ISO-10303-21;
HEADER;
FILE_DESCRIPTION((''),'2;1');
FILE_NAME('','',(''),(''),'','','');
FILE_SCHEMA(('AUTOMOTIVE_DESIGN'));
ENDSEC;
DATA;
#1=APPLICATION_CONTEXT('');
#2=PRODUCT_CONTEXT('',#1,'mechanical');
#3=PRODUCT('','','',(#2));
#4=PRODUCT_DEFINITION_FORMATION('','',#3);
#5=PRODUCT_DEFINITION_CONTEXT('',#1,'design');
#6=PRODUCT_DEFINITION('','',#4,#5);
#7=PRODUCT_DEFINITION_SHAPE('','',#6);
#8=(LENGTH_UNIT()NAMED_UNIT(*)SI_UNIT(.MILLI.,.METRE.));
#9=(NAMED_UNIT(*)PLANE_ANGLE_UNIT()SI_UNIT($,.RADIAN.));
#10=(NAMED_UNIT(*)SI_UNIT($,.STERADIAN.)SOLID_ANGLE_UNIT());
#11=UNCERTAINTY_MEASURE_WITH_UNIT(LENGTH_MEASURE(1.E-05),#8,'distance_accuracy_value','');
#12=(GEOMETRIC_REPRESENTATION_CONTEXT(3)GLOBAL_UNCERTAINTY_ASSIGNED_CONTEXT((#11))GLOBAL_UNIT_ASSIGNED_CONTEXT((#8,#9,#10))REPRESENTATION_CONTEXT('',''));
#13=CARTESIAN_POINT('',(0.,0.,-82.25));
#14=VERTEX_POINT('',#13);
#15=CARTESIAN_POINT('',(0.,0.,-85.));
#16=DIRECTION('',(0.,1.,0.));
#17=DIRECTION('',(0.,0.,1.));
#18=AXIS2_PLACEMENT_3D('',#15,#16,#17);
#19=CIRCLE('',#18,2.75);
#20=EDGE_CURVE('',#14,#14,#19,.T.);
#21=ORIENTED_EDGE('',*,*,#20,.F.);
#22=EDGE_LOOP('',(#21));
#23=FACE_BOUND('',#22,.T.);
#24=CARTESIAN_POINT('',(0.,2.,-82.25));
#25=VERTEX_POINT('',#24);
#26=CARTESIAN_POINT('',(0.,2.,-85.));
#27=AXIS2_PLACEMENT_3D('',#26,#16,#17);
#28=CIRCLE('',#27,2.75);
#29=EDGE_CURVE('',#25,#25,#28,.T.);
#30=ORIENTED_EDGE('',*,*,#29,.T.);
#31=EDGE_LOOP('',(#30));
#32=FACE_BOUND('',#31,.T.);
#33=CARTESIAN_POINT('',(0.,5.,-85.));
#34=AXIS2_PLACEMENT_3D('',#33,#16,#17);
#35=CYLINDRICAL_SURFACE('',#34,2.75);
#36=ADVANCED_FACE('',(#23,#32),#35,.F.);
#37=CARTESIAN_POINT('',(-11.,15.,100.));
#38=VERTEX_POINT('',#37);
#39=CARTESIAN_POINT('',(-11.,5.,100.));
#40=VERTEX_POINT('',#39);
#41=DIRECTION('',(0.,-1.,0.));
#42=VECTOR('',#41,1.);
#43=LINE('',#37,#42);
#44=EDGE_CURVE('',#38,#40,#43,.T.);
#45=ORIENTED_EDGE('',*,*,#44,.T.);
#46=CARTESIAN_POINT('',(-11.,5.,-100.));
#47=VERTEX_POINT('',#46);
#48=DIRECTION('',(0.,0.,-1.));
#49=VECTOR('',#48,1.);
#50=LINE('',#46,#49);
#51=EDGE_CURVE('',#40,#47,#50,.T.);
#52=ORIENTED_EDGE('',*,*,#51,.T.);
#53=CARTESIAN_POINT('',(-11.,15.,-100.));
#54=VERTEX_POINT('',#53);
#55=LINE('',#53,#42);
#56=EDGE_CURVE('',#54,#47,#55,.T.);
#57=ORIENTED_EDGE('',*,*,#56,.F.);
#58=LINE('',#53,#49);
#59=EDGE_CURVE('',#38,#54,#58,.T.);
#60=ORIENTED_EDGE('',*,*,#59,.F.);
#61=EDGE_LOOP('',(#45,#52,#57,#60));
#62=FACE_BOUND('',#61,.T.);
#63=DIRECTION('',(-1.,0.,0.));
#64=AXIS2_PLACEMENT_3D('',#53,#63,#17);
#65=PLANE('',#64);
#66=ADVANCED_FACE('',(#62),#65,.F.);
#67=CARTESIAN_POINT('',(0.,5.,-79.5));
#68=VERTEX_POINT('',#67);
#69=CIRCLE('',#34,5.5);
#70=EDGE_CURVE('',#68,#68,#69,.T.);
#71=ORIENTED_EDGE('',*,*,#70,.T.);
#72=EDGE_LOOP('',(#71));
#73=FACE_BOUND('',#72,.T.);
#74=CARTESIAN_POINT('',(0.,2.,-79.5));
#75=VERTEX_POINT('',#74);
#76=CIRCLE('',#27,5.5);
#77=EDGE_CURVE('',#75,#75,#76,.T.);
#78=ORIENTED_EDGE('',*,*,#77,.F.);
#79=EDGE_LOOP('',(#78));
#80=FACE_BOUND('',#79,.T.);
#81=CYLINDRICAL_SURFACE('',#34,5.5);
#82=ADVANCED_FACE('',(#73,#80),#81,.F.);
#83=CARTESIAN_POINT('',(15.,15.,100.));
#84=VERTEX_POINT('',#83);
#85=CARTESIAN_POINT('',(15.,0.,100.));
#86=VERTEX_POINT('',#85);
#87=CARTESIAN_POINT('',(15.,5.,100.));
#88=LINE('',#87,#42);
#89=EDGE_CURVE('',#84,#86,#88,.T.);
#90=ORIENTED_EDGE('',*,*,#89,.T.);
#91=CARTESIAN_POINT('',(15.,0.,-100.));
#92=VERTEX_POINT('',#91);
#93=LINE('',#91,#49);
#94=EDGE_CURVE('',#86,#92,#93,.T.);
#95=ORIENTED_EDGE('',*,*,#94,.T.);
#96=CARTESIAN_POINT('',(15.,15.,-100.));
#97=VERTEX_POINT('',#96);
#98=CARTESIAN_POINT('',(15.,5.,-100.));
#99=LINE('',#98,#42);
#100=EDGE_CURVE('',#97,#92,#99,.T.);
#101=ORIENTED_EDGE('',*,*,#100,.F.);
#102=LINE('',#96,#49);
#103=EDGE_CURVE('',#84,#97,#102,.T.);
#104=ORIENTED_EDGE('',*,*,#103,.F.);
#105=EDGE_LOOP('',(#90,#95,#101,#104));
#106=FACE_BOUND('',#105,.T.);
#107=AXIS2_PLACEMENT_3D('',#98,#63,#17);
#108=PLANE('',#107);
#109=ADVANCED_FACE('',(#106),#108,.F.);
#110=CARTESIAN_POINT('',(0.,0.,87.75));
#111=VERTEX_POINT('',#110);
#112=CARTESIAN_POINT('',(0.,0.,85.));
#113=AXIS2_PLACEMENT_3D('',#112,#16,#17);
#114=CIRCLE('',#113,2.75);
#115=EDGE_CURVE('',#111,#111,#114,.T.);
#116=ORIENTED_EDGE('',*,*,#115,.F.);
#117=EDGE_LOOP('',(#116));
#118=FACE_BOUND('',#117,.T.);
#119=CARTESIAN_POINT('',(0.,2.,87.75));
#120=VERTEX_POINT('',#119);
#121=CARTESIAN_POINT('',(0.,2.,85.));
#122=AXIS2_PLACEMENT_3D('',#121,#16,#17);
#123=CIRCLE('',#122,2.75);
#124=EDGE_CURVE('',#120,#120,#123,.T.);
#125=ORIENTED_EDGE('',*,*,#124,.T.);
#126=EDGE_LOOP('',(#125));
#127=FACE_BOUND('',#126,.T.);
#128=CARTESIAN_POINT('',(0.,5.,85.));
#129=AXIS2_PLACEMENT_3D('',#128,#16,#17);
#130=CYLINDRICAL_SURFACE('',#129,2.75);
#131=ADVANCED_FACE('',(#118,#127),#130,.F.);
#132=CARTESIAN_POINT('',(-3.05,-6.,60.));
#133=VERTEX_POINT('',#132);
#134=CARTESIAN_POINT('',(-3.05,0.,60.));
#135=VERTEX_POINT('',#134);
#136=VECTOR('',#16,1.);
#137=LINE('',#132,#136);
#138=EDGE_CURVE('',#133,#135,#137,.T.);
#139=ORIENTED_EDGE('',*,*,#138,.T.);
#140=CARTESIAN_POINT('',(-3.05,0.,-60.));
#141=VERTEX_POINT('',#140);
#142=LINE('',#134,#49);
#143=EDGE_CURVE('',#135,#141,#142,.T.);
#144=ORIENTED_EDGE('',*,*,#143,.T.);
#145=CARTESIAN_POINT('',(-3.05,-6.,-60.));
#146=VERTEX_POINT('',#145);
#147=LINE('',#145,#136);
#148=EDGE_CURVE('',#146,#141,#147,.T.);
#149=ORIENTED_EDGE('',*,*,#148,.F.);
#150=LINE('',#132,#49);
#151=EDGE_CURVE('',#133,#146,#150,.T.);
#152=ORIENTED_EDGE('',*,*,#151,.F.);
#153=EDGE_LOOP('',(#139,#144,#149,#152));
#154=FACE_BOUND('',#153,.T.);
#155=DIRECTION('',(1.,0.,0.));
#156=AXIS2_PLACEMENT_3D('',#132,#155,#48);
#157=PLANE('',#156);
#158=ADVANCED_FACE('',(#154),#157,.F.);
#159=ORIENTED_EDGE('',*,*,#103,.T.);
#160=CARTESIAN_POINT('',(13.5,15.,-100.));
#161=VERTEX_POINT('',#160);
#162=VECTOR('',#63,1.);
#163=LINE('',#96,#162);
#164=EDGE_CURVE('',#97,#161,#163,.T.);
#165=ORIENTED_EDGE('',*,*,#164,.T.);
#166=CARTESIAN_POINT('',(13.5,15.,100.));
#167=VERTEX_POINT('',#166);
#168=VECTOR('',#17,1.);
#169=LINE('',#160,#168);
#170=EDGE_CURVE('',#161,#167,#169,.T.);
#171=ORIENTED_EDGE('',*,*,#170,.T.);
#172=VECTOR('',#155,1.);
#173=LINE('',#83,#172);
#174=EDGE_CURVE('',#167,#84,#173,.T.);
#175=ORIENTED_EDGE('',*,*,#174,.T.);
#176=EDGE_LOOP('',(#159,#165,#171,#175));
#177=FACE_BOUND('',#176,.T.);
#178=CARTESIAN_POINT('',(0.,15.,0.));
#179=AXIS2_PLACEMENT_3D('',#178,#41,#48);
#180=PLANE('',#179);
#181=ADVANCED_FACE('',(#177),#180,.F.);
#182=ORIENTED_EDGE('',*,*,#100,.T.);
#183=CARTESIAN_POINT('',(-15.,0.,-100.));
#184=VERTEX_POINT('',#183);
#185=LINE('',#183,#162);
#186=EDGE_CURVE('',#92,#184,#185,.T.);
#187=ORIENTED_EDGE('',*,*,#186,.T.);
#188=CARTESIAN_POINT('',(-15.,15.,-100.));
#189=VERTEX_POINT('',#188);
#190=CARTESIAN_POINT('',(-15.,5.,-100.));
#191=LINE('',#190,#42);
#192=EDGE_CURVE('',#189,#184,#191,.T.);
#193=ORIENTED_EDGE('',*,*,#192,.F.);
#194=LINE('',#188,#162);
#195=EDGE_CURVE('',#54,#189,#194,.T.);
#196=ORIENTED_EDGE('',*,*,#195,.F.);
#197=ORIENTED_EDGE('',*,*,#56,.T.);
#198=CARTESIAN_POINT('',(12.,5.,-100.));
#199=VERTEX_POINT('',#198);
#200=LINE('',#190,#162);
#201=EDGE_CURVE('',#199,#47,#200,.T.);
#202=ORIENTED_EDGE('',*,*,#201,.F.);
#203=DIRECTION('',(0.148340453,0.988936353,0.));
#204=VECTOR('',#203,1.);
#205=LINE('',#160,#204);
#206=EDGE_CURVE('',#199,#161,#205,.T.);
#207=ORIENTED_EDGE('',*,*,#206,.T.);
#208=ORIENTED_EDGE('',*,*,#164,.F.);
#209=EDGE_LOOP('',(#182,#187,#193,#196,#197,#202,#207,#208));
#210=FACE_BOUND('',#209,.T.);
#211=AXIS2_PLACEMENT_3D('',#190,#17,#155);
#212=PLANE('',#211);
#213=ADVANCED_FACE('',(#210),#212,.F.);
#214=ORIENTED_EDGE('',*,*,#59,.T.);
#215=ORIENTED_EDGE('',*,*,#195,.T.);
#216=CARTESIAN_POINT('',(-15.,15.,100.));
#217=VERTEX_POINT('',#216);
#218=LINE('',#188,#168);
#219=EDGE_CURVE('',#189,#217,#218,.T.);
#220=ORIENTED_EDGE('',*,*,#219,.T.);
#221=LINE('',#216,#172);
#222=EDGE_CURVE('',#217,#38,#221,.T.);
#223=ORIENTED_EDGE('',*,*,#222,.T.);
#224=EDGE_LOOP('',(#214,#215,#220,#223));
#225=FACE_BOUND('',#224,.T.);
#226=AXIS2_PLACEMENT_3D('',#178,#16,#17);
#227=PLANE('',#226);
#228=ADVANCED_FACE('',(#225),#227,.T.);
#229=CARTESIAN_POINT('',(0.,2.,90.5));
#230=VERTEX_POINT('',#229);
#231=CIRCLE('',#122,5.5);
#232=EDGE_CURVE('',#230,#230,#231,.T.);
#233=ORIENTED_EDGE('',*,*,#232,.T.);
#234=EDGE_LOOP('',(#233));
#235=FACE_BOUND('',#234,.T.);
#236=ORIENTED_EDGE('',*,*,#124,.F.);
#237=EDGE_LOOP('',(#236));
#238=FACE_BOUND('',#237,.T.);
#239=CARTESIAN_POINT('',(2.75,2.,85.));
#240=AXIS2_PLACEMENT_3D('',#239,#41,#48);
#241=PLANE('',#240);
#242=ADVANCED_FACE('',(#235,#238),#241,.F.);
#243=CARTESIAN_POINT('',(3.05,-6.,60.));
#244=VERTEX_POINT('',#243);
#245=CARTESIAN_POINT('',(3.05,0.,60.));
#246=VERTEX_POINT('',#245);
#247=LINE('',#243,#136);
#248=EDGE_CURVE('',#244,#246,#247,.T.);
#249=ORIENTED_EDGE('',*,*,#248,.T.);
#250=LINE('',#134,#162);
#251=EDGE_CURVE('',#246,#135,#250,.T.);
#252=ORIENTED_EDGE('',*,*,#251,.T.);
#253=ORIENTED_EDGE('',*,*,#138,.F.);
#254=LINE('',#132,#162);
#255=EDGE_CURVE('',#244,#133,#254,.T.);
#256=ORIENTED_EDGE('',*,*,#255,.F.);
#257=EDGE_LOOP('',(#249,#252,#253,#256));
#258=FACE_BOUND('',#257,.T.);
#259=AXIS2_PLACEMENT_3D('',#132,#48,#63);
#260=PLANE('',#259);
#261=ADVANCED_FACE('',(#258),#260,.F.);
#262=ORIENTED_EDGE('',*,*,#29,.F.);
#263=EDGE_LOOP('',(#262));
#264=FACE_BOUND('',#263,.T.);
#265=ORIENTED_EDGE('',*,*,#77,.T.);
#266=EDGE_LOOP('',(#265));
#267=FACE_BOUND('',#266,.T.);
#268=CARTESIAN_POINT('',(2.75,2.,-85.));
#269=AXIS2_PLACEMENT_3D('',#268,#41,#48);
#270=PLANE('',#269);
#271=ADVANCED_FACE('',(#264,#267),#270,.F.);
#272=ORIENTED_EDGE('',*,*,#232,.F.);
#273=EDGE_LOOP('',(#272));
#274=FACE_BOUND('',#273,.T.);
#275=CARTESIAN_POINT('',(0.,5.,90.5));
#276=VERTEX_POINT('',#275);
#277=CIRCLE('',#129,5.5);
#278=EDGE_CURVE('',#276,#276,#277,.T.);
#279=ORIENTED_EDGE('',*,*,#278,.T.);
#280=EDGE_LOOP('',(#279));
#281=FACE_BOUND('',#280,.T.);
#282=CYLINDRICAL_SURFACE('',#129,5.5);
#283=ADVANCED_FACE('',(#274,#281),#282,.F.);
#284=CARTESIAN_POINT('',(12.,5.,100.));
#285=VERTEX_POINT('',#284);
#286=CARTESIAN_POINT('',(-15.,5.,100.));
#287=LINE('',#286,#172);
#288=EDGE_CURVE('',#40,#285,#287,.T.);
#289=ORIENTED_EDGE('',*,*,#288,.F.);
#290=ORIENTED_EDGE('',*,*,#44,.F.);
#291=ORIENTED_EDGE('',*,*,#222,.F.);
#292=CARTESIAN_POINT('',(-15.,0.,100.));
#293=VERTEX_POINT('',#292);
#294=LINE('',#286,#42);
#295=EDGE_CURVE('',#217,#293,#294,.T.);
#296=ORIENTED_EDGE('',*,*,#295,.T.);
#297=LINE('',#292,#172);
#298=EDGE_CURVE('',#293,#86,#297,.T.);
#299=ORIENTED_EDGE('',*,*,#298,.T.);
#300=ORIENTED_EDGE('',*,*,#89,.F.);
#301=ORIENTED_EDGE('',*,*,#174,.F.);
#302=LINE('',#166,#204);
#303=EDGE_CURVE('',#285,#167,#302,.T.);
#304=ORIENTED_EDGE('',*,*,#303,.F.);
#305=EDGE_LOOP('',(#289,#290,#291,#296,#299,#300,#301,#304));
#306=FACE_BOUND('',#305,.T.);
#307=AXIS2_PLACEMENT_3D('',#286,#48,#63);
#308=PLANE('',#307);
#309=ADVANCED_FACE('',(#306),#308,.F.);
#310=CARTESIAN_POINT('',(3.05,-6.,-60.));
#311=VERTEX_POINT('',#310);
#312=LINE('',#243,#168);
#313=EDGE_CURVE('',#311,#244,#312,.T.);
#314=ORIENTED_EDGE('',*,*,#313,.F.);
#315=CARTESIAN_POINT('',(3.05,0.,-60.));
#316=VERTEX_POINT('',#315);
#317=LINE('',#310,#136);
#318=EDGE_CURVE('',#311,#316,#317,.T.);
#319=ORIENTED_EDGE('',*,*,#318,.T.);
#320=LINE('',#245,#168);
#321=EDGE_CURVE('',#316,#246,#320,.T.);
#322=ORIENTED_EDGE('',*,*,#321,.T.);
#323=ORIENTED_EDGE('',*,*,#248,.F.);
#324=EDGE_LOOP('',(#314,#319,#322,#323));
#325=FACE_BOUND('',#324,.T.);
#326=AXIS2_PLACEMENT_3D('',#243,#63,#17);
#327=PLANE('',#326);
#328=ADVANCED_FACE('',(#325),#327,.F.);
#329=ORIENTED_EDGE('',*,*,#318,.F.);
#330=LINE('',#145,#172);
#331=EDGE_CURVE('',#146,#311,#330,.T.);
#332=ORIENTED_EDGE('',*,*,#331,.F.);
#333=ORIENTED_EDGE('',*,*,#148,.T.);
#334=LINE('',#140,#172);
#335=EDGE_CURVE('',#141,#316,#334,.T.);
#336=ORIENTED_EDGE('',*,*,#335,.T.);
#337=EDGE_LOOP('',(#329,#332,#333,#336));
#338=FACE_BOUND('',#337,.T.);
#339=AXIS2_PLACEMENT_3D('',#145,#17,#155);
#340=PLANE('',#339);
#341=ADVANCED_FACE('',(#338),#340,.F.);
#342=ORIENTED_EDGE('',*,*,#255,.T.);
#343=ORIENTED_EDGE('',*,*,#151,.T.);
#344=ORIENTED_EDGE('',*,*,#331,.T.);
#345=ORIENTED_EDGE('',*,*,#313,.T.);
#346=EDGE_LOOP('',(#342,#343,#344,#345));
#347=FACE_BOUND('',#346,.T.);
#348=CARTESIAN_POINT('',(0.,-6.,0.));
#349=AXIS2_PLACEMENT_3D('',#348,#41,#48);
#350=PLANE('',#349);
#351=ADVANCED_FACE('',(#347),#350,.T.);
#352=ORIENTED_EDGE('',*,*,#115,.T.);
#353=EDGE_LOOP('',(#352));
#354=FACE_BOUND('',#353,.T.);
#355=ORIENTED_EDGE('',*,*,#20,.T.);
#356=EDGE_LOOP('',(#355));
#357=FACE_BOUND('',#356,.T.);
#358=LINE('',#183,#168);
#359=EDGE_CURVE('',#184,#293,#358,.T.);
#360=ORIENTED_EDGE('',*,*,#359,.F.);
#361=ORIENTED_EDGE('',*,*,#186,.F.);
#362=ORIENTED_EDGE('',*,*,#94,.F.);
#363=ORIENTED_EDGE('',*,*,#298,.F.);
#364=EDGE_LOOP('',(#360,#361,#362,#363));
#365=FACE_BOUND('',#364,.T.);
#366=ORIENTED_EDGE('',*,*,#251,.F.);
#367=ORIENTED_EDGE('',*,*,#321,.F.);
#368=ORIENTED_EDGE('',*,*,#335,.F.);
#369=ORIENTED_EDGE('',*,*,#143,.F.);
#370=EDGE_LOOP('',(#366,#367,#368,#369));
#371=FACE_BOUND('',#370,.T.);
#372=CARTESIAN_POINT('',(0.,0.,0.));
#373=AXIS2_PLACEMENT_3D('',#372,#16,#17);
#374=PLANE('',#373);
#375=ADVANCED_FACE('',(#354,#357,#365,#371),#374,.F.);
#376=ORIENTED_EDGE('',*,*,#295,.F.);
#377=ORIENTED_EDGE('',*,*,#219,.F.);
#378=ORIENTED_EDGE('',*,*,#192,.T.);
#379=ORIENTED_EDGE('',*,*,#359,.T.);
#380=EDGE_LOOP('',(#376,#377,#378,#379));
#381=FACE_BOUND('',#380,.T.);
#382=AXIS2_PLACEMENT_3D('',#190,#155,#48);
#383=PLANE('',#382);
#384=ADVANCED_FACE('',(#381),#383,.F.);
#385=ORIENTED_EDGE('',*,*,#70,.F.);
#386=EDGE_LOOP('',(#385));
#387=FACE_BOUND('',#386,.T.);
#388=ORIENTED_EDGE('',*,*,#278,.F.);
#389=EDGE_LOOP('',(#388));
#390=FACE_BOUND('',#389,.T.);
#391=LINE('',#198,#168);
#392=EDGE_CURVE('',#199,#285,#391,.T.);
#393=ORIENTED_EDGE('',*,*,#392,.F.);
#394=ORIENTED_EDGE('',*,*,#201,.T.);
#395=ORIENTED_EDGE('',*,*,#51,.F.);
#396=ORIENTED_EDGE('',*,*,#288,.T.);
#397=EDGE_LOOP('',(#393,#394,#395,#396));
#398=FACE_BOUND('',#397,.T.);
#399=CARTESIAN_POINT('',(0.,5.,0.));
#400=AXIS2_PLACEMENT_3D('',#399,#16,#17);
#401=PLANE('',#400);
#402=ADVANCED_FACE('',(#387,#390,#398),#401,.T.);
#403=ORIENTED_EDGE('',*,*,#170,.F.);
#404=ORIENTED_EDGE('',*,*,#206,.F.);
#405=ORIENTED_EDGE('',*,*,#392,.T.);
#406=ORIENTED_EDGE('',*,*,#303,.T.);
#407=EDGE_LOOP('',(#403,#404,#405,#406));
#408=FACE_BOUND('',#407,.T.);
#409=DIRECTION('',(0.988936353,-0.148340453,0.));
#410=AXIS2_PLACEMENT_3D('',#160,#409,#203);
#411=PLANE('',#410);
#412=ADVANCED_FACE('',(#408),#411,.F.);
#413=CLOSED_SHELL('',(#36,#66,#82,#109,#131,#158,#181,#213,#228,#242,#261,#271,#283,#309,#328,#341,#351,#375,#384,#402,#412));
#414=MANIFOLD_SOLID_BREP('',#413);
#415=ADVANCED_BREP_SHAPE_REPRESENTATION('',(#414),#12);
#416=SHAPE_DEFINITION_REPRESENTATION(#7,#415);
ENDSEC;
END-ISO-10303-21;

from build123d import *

# Parameters (mm, degrees)
SKETCH_1_W                   = 30
SKETCH_1_H                   = 200
EXTRUDE_1_DEPTH              = 5
SKETCH_2_W                   = 4
SKETCH_2_H                   = 200
SKETCH_2_W_2                 = 3
EXTRUDE_2_DEPTH              = 10
CUT_EXTRUDE_1_DEPTH          = 202.121853611
HOLE_WIZARD_M5_1_D           = 5.5
HOLE_WIZARD_M5_1_DEPTH       = 30
HOLE_WIZARD_M5_1_CBORE_D     = 11
HOLE_WIZARD_M5_1_CBORE_DEPTH = 3
HOLE_WIZARD_M5_1_TIP         = 1.652366702
SKETCH_7_W                   = 6.1
SKETCH_7_H                   = 120
EXTRUDE_3_DEPTH              = 6


with BuildPart() as part:
    # 스케치1 → 보스-돌출1 (new body)
    with BuildSketch(Plane(origin=(0, 0, 0), x_dir=(1, 0, 0), z_dir=(0, 1, 0))):
        Rectangle(SKETCH_1_W, SKETCH_1_H)
    extrude(amount=EXTRUDE_1_DEPTH)

    # 스케치2 → 보스-돌출2 (add)
    with BuildSketch(Plane(origin=(0, 5, 0), x_dir=(1, 0, 0), z_dir=(0, 1, 0))):
        with Locations((-13, 0)):
            Rectangle(SKETCH_2_W, SKETCH_2_H)
        with Locations((13.5, 0)):
            Rectangle(SKETCH_2_W_2, SKETCH_2_H)
    extrude(amount=EXTRUDE_2_DEPTH)

    # 스케치3 → 컷-돌출1 (cut, through all)
    with BuildSketch(Plane.XY.offset(100)):
        Polygon((12, 5), (12, 15), (13.5, 15), align=None)
    extrude(amount=-CUT_EXTRUDE_1_DEPTH, mode=Mode.SUBTRACT)

    # M5 소켓 머리 캡 나사용 카운터보어1
    with Locations(Plane(origin=(0, 5, 0), x_dir=(1, 0, 0), z_dir=(0, 1, 0))):
        with Locations((0, -85), (0, 85)):
            CounterBoreHole(HOLE_WIZARD_M5_1_D / 2, HOLE_WIZARD_M5_1_CBORE_D / 2, HOLE_WIZARD_M5_1_CBORE_DEPTH, depth=HOLE_WIZARD_M5_1_DEPTH)
            with Locations((0, 0, -(HOLE_WIZARD_M5_1_DEPTH + HOLE_WIZARD_M5_1_TIP / 2))):  # 118° drill point
                Cone(0, HOLE_WIZARD_M5_1_D / 2, HOLE_WIZARD_M5_1_TIP, mode=Mode.SUBTRACT)

    # 스케치7 → 보스-돌출3 (add)
    with BuildSketch(Plane.XZ):
        Rectangle(SKETCH_7_W, SKETCH_7_H)
    extrude(amount=EXTRUDE_3_DEPTH)


solid = part.part
